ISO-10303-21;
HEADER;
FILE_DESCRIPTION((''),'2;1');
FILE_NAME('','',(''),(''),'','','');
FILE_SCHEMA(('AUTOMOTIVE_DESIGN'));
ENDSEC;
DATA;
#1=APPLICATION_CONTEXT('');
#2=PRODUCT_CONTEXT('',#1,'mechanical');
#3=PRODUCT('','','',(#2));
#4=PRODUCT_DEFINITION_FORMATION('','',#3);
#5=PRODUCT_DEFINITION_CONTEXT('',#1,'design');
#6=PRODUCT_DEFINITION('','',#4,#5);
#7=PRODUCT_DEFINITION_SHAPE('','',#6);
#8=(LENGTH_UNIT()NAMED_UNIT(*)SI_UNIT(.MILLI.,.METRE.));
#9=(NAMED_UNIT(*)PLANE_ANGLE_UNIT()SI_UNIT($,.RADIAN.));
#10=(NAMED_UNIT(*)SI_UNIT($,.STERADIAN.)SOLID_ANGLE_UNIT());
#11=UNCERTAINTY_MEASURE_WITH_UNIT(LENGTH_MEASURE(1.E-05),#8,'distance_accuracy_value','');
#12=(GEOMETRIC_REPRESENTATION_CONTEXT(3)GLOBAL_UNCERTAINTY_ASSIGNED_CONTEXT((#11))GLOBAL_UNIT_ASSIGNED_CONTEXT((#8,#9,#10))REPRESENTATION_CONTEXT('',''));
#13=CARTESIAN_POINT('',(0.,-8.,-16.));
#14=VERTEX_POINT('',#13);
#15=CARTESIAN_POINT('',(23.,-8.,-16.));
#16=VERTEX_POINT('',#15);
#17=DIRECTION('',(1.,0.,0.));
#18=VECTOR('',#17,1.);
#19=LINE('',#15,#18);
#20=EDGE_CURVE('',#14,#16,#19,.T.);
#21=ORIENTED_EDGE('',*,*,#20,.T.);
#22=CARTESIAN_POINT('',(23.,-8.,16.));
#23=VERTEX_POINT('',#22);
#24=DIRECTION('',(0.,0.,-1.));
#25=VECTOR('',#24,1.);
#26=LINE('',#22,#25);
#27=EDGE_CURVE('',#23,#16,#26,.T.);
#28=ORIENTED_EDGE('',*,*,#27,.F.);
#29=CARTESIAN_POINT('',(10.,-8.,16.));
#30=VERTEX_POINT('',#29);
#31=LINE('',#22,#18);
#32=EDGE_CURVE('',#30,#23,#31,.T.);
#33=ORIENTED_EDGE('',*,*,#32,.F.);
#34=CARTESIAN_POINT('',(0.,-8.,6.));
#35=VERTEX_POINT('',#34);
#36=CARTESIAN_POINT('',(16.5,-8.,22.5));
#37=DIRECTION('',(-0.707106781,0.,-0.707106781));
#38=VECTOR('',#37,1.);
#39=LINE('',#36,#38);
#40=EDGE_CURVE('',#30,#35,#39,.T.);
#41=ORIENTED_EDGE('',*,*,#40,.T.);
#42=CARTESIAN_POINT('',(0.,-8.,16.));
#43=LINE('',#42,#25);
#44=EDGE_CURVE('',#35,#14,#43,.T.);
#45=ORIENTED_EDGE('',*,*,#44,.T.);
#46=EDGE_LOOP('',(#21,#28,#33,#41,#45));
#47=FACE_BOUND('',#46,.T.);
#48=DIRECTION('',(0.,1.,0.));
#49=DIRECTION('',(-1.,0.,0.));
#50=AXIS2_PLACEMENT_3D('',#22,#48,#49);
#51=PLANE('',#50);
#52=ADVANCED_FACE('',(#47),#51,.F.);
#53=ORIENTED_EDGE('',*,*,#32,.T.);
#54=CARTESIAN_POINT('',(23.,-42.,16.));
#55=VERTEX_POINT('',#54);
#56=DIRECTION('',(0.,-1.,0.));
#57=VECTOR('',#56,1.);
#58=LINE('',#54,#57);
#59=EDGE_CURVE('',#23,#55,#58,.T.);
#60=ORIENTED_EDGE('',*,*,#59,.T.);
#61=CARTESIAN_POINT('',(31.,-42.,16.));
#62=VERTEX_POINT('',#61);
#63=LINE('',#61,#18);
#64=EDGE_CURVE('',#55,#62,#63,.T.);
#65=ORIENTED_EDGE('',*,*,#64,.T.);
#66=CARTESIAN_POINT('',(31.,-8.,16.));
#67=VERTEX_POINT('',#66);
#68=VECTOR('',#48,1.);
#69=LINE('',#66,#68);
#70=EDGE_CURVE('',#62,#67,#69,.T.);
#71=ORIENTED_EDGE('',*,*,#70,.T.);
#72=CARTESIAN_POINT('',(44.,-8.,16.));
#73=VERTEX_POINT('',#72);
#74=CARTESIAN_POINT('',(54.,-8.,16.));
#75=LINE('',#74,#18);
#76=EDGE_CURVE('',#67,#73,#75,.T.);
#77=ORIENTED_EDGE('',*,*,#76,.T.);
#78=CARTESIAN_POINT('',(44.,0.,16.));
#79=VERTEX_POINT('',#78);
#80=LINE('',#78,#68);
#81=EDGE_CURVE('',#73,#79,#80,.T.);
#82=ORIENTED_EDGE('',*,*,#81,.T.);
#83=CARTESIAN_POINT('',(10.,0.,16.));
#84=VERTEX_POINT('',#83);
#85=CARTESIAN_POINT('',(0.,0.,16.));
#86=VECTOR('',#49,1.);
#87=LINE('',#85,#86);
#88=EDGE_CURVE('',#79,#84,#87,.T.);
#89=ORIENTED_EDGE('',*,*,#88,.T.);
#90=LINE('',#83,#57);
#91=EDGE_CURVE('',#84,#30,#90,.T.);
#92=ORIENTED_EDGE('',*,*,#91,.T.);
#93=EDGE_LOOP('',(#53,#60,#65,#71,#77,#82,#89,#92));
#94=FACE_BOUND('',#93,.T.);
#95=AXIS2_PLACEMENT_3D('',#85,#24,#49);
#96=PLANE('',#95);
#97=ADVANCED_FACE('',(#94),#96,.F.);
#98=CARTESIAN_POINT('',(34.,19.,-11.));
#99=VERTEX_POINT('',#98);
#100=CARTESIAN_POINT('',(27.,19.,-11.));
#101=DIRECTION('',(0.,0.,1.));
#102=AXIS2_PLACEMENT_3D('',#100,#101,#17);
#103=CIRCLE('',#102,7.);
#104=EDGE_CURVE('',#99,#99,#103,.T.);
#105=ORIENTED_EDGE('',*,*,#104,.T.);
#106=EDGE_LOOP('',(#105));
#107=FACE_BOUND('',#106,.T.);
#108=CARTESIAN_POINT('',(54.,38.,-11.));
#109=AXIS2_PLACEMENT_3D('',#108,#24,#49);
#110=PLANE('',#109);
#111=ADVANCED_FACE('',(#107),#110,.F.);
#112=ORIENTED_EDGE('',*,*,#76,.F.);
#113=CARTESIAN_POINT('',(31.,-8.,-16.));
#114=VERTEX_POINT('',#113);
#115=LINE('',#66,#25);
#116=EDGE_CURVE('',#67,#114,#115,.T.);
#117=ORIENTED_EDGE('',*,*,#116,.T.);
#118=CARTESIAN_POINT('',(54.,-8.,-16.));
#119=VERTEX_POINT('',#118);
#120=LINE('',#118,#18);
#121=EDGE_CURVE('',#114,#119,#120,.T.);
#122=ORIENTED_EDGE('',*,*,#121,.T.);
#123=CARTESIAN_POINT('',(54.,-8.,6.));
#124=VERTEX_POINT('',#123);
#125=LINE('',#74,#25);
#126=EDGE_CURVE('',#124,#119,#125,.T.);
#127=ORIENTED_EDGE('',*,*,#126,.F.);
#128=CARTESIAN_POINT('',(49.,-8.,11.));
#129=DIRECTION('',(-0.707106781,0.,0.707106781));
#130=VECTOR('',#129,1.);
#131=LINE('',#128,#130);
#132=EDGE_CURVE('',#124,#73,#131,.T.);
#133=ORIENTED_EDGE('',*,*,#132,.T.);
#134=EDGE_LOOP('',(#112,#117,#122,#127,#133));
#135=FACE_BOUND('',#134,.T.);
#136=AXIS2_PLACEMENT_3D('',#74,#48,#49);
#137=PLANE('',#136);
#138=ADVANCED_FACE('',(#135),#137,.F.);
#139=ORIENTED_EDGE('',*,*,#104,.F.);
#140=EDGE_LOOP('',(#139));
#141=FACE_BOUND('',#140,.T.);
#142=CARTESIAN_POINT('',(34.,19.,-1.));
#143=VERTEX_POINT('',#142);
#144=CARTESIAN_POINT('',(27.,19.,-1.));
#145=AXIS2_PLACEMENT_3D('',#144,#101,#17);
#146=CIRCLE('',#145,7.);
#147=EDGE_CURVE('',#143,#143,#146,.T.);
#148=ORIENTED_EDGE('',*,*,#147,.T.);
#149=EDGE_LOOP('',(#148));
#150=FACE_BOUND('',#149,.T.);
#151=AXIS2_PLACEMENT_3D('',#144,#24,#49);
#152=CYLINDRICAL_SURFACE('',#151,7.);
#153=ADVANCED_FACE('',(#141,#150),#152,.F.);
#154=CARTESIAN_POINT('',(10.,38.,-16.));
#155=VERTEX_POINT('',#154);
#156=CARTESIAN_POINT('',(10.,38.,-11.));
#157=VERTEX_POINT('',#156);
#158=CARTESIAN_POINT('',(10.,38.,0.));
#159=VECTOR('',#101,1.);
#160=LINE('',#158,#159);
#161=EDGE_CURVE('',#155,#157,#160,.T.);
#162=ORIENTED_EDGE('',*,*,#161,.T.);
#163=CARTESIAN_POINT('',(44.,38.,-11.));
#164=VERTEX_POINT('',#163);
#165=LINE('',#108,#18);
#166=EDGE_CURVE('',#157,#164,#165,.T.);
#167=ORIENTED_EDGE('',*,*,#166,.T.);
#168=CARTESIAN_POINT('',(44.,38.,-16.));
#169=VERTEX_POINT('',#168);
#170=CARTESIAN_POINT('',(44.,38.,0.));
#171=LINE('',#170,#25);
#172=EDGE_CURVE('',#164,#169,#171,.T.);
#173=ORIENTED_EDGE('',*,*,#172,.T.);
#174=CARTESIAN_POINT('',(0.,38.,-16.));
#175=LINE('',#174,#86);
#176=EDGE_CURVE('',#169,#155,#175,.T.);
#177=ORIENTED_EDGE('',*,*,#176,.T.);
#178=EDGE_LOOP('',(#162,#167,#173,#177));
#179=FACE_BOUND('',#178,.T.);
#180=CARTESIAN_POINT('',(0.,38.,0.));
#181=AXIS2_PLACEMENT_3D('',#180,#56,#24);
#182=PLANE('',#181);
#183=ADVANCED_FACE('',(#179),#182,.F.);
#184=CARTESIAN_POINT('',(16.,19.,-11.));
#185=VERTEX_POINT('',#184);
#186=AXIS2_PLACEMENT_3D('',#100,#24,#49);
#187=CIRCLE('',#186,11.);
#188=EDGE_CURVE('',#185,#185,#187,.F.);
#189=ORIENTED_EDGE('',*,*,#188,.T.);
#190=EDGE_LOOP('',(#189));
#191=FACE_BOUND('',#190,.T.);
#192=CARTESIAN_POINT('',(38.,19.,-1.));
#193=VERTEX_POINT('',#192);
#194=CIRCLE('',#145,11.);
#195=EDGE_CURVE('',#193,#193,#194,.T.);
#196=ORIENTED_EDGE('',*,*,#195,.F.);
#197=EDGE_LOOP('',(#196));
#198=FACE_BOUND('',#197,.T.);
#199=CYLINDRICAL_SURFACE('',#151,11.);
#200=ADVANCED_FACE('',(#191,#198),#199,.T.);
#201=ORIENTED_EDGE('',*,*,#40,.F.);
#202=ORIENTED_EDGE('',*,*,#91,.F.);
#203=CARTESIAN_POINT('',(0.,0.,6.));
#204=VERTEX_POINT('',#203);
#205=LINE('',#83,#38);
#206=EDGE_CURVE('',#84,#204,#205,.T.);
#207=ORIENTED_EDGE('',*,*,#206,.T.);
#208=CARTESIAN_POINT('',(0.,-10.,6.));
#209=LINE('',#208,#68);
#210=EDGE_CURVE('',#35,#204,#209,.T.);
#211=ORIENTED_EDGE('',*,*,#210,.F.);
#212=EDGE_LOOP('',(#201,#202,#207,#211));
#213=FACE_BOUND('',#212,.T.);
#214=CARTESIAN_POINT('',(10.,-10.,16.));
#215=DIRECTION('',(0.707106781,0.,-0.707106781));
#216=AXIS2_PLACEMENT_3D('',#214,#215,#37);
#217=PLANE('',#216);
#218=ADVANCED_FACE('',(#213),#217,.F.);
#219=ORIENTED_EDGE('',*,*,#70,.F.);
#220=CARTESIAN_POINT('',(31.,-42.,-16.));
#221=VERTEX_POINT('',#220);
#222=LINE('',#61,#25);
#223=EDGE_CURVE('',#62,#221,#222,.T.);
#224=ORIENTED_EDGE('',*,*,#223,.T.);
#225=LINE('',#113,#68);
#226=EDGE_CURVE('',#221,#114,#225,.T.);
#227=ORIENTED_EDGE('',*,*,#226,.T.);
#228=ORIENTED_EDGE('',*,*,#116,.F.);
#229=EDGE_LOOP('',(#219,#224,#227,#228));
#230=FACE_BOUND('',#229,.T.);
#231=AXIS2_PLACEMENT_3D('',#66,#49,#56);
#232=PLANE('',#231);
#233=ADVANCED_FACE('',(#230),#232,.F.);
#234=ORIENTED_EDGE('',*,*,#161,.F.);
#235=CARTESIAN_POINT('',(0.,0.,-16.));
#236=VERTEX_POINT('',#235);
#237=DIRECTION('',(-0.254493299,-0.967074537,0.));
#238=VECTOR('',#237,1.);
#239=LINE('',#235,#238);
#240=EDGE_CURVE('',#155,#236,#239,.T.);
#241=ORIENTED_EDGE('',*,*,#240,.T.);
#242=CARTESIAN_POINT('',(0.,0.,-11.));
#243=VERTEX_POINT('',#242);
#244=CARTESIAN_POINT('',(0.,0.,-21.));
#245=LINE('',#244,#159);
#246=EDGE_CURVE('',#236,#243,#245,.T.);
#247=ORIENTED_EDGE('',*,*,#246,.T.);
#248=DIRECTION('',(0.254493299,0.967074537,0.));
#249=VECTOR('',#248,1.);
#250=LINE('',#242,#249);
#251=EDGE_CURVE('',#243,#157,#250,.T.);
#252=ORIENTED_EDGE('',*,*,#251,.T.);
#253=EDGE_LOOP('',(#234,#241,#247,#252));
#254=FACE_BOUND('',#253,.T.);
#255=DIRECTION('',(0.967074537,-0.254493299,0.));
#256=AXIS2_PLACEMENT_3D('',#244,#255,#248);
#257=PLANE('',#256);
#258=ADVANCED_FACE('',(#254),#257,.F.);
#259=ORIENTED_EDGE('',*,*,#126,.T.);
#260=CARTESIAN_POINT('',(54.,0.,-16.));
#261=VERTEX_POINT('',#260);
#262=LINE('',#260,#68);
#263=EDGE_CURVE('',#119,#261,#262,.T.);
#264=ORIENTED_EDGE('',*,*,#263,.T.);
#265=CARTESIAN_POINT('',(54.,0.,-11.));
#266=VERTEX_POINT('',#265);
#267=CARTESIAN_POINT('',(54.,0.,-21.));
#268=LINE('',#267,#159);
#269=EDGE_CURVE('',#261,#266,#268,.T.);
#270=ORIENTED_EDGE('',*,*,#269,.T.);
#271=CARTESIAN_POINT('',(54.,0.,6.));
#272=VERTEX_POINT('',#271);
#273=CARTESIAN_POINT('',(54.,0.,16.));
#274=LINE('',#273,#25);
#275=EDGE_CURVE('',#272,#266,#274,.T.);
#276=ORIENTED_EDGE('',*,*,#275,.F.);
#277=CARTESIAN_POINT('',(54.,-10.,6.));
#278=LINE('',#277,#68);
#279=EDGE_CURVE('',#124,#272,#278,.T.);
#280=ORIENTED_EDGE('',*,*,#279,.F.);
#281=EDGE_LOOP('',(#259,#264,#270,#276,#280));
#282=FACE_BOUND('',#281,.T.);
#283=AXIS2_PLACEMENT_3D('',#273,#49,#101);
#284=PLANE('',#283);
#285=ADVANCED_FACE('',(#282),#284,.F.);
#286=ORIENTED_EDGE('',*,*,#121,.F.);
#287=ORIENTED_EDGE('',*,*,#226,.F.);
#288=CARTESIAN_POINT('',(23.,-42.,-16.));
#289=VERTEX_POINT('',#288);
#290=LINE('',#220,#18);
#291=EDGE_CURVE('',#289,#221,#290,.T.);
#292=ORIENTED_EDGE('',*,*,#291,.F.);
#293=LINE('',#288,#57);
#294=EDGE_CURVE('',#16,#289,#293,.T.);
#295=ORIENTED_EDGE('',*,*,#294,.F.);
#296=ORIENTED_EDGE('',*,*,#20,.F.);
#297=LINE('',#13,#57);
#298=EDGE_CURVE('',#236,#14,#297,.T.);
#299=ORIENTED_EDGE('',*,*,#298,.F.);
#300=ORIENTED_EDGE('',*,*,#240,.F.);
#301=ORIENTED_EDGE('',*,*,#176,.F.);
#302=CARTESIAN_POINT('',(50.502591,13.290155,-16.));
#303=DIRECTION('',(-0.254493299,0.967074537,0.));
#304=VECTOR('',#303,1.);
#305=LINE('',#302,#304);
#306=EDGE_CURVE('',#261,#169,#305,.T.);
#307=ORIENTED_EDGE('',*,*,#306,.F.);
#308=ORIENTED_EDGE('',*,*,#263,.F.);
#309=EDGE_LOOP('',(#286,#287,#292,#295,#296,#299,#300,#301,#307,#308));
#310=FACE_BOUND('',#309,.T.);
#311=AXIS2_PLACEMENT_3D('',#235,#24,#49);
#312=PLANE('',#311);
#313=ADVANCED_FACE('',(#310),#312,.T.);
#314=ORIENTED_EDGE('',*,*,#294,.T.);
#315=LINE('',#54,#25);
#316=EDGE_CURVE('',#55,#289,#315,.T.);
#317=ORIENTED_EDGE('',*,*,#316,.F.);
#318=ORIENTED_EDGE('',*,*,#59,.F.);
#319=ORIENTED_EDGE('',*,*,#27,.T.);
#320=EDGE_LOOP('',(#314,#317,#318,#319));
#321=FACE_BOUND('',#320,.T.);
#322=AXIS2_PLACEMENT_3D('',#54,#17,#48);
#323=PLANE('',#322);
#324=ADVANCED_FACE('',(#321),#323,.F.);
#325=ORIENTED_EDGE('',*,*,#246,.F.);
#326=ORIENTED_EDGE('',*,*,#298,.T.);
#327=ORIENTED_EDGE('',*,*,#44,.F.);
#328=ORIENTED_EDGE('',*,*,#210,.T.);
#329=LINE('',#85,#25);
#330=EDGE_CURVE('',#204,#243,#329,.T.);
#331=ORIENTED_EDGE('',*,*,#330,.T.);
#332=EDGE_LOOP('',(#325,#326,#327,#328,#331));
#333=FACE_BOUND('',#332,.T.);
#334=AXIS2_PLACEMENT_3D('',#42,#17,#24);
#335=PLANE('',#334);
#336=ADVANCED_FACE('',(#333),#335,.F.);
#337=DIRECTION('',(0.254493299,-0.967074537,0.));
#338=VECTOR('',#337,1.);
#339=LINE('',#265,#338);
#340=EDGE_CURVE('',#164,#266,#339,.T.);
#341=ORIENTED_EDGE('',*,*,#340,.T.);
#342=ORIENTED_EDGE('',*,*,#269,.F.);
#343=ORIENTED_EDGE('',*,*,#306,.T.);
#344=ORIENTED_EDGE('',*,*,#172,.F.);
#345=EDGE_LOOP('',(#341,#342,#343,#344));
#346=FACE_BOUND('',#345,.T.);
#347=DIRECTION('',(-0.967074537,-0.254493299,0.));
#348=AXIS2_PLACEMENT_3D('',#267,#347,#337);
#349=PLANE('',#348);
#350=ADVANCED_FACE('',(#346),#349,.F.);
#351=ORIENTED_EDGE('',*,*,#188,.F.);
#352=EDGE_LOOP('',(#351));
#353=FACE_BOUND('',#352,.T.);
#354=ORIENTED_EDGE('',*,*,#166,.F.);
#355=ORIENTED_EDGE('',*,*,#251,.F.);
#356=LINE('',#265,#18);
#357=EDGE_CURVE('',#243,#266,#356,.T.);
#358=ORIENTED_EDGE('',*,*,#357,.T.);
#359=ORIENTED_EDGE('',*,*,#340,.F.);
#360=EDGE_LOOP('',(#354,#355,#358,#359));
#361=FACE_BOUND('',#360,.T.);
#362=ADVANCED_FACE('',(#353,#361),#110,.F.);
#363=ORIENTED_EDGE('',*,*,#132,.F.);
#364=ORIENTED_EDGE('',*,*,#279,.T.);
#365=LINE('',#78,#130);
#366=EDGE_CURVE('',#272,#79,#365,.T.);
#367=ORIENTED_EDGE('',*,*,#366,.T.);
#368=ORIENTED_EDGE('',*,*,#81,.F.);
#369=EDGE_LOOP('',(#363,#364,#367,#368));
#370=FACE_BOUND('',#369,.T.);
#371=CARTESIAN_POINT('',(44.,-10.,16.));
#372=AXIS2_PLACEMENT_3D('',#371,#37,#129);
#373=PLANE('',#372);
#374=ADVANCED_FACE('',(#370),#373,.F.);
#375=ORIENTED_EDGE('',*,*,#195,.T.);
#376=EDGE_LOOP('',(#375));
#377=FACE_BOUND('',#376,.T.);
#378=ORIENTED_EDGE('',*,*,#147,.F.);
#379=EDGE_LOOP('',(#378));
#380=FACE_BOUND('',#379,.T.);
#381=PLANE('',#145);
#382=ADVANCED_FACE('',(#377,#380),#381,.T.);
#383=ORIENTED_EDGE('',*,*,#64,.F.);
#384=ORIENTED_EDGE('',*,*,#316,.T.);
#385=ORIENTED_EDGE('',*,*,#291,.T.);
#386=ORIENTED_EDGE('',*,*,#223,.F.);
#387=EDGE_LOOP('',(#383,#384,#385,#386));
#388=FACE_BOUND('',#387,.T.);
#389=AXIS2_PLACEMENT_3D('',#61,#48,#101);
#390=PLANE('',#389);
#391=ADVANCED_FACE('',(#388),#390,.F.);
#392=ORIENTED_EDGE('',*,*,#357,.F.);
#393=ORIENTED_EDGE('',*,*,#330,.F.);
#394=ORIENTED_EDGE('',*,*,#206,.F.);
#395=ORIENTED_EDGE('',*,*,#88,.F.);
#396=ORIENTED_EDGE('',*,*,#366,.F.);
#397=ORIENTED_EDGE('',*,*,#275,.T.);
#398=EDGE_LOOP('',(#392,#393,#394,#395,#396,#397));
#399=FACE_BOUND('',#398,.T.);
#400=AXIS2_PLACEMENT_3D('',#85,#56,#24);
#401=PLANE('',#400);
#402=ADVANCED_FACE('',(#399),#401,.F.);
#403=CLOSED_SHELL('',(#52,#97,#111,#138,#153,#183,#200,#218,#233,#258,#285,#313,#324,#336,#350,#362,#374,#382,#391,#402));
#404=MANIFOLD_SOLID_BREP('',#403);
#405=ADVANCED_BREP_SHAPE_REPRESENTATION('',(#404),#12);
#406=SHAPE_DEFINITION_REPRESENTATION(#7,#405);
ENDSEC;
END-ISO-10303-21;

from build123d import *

# Parameters (mm, degrees)
BOSS_EXTRUDE1_DEPTH = 16
SKETCH3_W           = 54
SKETCH3_H           = 5
BOSS_EXTRUDE2_DEPTH = 38
CUT_EXTRUDE4_DEPTH  = 10
SKETCH10_R          = 11
SKETCH10_R_2        = 7
BOSS_EXTRUDE4_DEPTH = 10
CUT_EXTRUDE5_DEPTH  = 10


with BuildPart() as part:
    # Sketch1 → Boss-Extrude1 (new, symmetric)
    with BuildSketch(Plane.XY):
        Polygon((0, 0), (54, 0), (54, -8), (31, -8), (31, -42), (23, -42), (23, -8), (0, -8), align=None)
    extrude(amount=BOSS_EXTRUDE1_DEPTH, both=True)

    # Sketch3 → Boss-Extrude2 (add)
    with BuildSketch(Plane(origin=(0, 0, 0), x_dir=(1, 0, 0), z_dir=(0, 1, 0))):
        with Locations((27, 13.5)):
            Rectangle(SKETCH3_W, SKETCH3_H)
    extrude(amount=BOSS_EXTRUDE2_DEPTH)

    # Sketch5 → Cut-Extrude4 (cut)
    with BuildSketch(Plane(origin=(0, 0, 0), x_dir=(1, 0, 0), z_dir=(0, 1, 0))):
        Polygon((44, -16), (54, -6), (54, -16), align=None)
        Polygon((10, -16), (0, -6), (0, -16), align=None)
    extrude(amount=-CUT_EXTRUDE4_DEPTH, mode=Mode.SUBTRACT)

    # Sketch10 → Boss-Extrude4 (add)
    with BuildSketch(Plane.XY.offset(-11)):
        with Locations(Location((27, 19, 0), (0, 0, 180))):
            Circle(SKETCH10_R)
        with Locations((27, 19)):
            Circle(SKETCH10_R_2, mode=Mode.SUBTRACT)
    extrude(amount=BOSS_EXTRUDE4_DEPTH)

    # Sketch12 → Cut-Extrude5 (cut)
    with BuildSketch(Plane.XY.offset(-11)):
        Polygon((0, 0), (10, 38), (0, 38), align=None)
        Polygon((44, 38), (54, 38), (54, 0), align=None)
    extrude(amount=-CUT_EXTRUDE5_DEPTH, mode=Mode.SUBTRACT)


solid = part.part
